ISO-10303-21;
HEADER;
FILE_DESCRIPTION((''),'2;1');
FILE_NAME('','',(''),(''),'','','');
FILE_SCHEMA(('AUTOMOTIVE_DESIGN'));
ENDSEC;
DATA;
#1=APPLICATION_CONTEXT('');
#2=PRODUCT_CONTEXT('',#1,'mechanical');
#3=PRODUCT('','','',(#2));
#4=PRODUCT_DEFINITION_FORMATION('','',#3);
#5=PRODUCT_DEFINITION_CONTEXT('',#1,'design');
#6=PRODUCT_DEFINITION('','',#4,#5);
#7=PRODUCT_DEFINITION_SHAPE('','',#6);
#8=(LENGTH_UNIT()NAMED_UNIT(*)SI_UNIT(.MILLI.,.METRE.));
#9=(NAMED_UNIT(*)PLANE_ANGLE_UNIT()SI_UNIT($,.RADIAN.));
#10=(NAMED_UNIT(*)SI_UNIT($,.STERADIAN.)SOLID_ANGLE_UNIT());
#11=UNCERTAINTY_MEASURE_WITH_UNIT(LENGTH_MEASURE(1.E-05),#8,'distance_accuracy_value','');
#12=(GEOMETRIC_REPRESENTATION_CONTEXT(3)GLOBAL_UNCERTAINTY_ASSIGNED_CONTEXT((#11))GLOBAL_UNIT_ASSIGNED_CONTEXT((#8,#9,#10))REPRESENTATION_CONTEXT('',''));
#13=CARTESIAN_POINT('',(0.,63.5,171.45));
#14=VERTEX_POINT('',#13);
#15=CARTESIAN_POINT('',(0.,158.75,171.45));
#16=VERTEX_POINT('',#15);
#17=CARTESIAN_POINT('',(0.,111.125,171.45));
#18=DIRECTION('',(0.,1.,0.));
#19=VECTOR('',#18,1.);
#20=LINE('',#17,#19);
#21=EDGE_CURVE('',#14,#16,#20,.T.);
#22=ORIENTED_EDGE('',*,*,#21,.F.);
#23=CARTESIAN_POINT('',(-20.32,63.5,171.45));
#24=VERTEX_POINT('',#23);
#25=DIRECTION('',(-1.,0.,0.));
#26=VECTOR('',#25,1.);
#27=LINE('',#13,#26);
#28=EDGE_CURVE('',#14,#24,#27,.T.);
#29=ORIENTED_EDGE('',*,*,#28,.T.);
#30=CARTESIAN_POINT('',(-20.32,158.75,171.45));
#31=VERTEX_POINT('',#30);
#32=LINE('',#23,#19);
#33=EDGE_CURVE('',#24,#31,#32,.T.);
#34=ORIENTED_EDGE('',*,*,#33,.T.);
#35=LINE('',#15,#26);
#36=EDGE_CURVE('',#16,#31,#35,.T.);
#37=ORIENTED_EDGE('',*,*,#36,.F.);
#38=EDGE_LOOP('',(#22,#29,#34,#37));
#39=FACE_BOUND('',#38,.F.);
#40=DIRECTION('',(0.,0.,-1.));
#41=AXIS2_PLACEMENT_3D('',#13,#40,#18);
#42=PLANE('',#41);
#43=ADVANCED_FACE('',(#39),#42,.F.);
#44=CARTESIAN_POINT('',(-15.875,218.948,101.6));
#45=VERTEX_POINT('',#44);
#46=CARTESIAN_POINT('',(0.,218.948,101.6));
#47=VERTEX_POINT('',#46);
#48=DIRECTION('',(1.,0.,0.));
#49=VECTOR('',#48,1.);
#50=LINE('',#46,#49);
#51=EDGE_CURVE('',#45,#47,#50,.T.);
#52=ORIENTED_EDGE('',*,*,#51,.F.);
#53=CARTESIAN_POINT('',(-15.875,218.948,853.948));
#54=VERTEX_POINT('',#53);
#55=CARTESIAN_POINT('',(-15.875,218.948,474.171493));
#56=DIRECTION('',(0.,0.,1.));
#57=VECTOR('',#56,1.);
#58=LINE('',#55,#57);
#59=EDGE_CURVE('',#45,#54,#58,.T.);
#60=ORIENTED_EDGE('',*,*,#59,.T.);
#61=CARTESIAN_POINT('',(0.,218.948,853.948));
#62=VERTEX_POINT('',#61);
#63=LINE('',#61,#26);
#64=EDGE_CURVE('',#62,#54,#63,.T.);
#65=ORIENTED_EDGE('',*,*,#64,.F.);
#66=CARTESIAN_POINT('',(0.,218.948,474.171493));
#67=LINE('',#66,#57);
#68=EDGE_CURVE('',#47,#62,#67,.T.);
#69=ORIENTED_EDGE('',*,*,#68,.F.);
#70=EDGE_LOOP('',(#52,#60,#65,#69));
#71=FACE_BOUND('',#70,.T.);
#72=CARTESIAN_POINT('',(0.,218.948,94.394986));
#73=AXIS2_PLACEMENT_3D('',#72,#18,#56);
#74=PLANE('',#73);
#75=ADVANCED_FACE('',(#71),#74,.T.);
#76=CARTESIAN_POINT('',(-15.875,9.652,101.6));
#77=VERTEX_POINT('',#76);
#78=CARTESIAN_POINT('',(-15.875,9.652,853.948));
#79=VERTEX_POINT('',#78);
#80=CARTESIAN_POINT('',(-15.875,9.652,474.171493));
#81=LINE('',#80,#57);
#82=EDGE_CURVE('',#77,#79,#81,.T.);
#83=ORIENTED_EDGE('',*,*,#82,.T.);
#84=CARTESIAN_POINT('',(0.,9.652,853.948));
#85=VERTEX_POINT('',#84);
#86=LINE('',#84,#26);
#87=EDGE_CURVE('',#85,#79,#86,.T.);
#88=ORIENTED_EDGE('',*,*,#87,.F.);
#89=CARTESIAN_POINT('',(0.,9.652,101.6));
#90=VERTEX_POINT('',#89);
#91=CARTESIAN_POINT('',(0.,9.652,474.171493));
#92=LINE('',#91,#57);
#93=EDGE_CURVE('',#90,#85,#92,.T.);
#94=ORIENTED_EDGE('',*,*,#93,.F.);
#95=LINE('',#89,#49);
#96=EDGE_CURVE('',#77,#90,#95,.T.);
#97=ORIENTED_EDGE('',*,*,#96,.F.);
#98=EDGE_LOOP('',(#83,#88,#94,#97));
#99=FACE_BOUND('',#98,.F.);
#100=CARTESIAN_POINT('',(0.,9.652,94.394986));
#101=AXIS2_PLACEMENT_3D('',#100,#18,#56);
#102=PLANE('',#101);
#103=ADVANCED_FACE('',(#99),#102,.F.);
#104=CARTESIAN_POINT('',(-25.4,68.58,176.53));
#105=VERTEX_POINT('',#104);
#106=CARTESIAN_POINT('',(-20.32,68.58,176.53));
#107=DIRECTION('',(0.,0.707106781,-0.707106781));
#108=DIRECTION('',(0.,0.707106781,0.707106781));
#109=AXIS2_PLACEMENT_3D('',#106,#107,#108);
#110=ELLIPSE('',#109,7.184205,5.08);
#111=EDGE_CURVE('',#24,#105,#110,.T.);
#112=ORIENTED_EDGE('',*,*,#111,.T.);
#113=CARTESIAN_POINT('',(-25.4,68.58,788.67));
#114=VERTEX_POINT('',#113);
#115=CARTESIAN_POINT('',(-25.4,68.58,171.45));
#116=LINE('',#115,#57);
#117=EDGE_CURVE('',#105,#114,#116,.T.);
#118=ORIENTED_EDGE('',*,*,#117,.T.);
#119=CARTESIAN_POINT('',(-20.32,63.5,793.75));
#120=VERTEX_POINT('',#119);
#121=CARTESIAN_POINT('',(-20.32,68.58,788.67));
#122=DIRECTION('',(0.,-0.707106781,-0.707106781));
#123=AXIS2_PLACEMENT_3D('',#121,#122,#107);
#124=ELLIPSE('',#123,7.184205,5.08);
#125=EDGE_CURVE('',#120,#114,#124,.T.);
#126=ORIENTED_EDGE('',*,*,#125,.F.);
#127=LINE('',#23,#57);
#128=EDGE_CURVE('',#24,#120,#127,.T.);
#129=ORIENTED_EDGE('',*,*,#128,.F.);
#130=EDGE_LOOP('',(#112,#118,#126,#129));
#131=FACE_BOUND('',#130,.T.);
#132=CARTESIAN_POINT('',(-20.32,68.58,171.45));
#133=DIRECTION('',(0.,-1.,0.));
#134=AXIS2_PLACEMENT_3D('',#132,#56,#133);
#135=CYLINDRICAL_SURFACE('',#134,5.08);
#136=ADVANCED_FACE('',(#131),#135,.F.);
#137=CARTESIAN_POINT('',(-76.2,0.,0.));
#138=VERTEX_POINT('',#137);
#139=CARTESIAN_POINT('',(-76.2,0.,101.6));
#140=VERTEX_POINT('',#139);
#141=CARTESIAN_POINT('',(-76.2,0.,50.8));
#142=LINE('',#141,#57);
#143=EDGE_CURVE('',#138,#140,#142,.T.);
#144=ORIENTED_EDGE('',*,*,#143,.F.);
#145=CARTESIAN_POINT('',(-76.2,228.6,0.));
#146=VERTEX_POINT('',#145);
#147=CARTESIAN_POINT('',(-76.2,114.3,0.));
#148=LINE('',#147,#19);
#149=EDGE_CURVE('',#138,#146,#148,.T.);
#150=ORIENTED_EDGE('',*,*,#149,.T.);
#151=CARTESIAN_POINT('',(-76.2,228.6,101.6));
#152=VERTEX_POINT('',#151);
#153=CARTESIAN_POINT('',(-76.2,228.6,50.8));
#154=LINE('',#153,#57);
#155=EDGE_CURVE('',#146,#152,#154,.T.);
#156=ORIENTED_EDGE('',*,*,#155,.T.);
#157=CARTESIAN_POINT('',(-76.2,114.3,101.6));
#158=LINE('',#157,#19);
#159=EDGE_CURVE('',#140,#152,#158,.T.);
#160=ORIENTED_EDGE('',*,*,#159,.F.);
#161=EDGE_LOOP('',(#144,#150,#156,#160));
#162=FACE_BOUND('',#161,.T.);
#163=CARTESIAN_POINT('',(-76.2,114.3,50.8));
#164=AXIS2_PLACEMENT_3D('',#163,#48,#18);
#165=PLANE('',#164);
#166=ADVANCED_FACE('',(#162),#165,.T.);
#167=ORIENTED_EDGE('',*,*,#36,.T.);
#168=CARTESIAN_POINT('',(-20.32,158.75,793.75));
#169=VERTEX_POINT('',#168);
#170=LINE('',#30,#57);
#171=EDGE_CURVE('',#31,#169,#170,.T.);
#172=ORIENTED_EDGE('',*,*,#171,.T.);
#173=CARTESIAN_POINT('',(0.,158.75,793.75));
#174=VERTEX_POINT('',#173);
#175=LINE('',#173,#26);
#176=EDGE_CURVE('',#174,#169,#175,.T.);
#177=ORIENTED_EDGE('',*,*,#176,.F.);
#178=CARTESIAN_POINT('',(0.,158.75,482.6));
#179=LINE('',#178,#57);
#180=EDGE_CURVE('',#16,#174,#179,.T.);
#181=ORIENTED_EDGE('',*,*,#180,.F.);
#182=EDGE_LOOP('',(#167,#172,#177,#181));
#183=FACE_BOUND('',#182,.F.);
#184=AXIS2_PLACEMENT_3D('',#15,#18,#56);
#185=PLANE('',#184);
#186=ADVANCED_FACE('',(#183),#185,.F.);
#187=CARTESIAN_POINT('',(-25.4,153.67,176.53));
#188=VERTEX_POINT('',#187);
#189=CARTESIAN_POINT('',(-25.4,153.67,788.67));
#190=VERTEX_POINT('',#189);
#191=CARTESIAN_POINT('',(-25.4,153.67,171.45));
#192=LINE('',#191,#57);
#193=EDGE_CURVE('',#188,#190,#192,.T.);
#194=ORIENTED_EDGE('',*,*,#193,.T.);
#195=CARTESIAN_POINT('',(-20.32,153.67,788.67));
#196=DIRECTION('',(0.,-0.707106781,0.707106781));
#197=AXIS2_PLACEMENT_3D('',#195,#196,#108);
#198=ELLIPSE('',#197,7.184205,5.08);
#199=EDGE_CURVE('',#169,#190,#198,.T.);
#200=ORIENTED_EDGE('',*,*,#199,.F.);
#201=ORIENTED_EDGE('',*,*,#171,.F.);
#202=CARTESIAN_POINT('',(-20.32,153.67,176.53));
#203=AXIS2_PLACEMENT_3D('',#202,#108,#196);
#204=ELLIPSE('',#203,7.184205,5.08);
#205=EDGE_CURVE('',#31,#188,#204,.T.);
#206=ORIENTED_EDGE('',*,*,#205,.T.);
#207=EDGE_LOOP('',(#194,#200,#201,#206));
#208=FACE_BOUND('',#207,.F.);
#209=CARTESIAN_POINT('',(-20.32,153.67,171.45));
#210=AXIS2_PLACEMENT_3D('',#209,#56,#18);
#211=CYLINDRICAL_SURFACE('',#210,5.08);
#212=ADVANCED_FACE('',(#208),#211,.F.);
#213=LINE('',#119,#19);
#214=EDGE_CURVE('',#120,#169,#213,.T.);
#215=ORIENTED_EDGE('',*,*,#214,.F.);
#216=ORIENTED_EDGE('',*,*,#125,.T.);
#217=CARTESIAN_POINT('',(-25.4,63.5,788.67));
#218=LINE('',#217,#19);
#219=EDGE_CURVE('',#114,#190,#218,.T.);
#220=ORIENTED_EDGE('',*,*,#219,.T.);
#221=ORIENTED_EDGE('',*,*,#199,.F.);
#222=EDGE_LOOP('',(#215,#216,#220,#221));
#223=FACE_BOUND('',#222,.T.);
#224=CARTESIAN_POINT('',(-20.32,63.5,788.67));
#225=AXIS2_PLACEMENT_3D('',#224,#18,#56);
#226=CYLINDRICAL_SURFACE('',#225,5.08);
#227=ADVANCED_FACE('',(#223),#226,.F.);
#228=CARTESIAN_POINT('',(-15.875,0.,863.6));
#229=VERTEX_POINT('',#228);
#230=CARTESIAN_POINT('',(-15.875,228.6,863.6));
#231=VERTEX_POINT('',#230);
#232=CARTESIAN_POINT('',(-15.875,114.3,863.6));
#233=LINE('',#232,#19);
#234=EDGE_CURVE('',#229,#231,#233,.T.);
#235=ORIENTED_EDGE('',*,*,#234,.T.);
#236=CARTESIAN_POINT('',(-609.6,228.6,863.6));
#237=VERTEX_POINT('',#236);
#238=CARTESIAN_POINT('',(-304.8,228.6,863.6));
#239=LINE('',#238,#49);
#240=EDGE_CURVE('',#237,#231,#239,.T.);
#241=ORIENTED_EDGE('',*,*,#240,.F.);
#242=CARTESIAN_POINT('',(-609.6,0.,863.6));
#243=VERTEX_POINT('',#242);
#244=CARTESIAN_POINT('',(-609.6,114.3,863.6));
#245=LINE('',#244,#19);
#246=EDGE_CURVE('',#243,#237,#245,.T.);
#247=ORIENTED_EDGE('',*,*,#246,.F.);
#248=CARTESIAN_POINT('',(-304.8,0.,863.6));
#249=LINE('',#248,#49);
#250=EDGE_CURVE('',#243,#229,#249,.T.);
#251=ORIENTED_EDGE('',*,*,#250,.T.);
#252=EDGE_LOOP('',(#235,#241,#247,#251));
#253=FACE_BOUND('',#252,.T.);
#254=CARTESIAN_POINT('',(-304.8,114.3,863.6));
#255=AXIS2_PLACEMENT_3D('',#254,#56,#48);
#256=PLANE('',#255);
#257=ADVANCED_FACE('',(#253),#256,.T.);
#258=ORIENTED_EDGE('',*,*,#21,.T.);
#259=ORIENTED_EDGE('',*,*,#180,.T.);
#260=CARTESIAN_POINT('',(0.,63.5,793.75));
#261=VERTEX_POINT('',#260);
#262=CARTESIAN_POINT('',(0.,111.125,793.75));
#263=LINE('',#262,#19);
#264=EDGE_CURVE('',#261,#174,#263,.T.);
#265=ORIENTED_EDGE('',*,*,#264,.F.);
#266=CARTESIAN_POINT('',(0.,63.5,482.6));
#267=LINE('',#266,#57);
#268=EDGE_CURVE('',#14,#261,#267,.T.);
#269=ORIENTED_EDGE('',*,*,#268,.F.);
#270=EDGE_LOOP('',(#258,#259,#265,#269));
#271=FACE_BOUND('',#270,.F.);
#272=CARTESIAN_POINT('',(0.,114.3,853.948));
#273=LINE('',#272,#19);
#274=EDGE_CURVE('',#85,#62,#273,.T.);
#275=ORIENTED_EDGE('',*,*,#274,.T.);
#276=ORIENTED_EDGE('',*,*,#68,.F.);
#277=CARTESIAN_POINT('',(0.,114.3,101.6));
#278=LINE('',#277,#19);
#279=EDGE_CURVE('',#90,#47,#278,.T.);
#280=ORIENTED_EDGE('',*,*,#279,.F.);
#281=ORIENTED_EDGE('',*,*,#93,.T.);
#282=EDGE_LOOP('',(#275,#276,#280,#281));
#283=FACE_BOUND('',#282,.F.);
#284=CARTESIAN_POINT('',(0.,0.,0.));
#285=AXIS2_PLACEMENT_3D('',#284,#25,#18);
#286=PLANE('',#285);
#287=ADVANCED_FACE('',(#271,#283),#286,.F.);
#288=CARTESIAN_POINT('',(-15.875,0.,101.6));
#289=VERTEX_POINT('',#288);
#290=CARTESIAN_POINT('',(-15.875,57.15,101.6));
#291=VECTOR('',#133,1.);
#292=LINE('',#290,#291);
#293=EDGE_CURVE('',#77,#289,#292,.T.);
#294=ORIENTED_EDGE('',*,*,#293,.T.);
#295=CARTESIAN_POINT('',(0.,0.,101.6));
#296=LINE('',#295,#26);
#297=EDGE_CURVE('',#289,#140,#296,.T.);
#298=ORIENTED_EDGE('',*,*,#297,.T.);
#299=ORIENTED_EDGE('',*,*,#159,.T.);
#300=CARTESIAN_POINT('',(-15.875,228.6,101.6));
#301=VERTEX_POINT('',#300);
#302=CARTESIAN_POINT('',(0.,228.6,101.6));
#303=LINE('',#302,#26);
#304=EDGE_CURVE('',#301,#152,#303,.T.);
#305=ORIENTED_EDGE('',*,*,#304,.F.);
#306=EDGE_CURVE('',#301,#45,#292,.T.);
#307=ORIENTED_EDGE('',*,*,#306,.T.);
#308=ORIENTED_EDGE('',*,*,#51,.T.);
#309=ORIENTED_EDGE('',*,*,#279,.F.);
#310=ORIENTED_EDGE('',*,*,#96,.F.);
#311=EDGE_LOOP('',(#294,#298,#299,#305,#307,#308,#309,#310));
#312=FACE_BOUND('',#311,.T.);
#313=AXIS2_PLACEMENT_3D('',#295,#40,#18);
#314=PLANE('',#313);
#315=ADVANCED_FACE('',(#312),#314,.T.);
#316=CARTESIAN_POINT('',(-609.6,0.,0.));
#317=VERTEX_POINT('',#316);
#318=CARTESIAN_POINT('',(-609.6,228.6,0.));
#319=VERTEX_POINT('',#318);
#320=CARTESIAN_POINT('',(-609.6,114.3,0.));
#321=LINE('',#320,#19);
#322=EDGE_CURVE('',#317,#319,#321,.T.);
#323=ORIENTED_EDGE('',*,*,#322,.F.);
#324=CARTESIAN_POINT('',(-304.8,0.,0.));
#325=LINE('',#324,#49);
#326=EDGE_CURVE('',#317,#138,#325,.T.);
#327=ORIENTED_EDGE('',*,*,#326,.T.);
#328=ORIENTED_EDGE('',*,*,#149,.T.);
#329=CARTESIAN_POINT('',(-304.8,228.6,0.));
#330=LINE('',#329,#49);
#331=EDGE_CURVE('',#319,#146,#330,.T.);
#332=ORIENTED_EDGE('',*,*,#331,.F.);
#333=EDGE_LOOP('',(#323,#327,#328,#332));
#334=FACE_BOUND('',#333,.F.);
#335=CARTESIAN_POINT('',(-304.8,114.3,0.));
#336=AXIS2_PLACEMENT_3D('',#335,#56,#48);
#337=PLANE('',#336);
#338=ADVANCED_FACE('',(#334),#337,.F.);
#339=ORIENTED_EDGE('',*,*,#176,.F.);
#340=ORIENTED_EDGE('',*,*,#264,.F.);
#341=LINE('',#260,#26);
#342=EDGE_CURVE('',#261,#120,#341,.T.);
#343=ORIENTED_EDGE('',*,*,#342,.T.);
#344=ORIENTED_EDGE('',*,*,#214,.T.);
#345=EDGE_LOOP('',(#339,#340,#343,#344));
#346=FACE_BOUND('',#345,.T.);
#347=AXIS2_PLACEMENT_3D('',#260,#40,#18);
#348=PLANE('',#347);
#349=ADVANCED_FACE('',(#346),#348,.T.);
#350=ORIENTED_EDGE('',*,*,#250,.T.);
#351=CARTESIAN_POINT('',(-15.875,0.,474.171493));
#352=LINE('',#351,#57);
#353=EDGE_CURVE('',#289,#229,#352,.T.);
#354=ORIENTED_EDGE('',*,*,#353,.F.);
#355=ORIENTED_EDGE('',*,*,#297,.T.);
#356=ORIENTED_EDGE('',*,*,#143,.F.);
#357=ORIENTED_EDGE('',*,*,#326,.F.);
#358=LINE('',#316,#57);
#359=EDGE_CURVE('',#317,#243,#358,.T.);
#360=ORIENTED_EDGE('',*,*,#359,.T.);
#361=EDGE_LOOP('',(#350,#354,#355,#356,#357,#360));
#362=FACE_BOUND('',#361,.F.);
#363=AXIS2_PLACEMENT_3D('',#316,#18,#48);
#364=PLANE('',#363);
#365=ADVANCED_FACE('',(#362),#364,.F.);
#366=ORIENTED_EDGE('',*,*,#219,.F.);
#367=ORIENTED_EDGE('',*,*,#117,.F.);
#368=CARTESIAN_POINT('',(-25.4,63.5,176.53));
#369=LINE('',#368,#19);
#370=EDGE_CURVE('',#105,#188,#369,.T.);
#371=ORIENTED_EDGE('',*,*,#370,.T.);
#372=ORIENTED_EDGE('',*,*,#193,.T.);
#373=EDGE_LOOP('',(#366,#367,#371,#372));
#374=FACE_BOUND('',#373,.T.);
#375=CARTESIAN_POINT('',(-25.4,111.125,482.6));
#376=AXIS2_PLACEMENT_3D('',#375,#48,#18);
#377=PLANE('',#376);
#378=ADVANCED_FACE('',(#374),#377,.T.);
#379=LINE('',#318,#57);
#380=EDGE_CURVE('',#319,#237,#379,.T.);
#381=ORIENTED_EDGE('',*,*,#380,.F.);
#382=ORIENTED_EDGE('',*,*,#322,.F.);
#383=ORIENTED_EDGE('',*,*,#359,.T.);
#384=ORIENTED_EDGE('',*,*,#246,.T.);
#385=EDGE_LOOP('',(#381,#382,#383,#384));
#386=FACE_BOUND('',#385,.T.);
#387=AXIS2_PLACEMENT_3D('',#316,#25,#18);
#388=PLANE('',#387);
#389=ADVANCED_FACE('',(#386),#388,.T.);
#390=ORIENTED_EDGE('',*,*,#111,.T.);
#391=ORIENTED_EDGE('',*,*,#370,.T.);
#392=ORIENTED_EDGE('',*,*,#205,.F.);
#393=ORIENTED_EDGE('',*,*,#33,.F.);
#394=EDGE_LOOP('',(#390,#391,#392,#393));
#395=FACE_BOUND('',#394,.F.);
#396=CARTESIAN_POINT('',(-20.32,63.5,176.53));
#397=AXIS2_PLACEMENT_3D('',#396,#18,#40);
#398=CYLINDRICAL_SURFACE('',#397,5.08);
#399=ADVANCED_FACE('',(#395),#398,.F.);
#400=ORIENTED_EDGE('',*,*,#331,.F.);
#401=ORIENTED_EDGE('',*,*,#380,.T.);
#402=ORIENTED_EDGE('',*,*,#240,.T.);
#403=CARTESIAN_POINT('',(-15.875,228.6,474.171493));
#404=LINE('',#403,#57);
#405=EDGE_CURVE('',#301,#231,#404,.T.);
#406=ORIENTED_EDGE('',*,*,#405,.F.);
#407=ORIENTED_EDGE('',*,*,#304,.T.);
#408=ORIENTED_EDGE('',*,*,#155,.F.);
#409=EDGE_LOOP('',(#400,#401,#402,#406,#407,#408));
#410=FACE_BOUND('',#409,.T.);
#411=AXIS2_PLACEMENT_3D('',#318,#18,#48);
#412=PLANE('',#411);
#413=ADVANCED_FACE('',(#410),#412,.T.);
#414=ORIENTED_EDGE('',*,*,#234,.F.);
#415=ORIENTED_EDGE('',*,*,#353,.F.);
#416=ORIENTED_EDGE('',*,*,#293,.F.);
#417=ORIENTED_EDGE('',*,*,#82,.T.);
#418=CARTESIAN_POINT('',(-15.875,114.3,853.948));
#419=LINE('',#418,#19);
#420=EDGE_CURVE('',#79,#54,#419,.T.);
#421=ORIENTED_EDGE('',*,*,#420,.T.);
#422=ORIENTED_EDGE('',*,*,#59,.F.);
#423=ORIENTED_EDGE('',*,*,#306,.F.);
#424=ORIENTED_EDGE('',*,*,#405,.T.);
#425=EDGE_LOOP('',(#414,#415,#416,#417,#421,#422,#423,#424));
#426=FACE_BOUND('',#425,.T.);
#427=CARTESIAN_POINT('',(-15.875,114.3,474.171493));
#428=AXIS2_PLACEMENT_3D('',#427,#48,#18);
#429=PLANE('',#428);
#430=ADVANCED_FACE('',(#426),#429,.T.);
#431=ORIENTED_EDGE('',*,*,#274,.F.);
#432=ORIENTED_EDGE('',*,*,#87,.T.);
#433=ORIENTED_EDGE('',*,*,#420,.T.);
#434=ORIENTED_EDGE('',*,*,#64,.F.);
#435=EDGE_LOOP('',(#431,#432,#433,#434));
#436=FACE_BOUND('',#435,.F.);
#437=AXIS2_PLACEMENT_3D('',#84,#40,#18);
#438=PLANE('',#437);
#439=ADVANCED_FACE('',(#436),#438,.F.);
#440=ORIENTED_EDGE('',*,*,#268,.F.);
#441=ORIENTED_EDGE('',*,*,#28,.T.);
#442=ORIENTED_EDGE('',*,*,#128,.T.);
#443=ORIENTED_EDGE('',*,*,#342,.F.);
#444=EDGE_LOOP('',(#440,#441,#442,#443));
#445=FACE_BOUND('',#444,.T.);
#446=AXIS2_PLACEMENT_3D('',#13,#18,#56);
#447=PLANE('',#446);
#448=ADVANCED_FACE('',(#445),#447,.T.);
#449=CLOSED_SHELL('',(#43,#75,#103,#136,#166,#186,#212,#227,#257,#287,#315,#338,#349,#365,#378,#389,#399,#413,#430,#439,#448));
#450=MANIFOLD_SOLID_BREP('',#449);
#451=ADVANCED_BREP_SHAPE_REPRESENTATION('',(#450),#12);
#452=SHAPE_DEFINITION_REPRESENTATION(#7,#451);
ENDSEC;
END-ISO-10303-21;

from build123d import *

# Parameters (mm, degrees)
F0_W     = 609.6
F0_H     = 228.6
F1_DEPTH = 863.6
F2_W     = 95.25
F2_H     = 622.3
F3_DEPTH = 25.4
F4_R     = 5.08
F5_W     = 228.6
F5_H     = 101.6
F6_DEPTH = 76.2
F7_W     = 228.6
F7_H     = 778.857014
F7_W_2   = 209.296
F7_H_2   = 759.553014
F8_DEPTH = 15.875


with BuildPart() as f1:
    # F0 (on Top) → F1 (new body)
    with BuildSketch(Plane.XY):
        with Locations((-304.8, 114.3)):
            Rectangle(F0_W, F0_H)
    extrude(amount=F1_DEPTH)

    # F2 (on face) → F3 (cut)
    with BuildSketch(Plane.YZ):
        with Locations((111.125, 482.6)):
            Rectangle(F2_W, F2_H)
    extrude(amount=-F3_DEPTH, mode=Mode.SUBTRACT)

    # F4
    f4_edges = [f1.edges().sort_by_distance(p)[0] for p in [
        (-25.4, 158.75, 482.6),
        (-25.4, 111.125, 793.75),
        (-25.4, 63.5, 482.6),
        (-25.4, 111.125, 171.45),
    ]]
    fillet(f4_edges, radius=F4_R)

    # F5 (on face) → F6 (cut)
    with BuildSketch(Plane.YZ):
        with Locations((114.3, 50.8)):
            Rectangle(F5_W, F5_H)
    extrude(amount=-F6_DEPTH, mode=Mode.SUBTRACT)

    # F7 (on face) → F8 (cut)
    with BuildSketch(Plane.YZ):
        with Locations((114.3, 474.171493)):
            Rectangle(F7_W, F7_H)
        with Locations((114.3, 474.171493)):
            Rectangle(F7_W_2, F7_H_2, mode=Mode.SUBTRACT)
    extrude(amount=-F8_DEPTH, mode=Mode.SUBTRACT)


solid = f1.part
